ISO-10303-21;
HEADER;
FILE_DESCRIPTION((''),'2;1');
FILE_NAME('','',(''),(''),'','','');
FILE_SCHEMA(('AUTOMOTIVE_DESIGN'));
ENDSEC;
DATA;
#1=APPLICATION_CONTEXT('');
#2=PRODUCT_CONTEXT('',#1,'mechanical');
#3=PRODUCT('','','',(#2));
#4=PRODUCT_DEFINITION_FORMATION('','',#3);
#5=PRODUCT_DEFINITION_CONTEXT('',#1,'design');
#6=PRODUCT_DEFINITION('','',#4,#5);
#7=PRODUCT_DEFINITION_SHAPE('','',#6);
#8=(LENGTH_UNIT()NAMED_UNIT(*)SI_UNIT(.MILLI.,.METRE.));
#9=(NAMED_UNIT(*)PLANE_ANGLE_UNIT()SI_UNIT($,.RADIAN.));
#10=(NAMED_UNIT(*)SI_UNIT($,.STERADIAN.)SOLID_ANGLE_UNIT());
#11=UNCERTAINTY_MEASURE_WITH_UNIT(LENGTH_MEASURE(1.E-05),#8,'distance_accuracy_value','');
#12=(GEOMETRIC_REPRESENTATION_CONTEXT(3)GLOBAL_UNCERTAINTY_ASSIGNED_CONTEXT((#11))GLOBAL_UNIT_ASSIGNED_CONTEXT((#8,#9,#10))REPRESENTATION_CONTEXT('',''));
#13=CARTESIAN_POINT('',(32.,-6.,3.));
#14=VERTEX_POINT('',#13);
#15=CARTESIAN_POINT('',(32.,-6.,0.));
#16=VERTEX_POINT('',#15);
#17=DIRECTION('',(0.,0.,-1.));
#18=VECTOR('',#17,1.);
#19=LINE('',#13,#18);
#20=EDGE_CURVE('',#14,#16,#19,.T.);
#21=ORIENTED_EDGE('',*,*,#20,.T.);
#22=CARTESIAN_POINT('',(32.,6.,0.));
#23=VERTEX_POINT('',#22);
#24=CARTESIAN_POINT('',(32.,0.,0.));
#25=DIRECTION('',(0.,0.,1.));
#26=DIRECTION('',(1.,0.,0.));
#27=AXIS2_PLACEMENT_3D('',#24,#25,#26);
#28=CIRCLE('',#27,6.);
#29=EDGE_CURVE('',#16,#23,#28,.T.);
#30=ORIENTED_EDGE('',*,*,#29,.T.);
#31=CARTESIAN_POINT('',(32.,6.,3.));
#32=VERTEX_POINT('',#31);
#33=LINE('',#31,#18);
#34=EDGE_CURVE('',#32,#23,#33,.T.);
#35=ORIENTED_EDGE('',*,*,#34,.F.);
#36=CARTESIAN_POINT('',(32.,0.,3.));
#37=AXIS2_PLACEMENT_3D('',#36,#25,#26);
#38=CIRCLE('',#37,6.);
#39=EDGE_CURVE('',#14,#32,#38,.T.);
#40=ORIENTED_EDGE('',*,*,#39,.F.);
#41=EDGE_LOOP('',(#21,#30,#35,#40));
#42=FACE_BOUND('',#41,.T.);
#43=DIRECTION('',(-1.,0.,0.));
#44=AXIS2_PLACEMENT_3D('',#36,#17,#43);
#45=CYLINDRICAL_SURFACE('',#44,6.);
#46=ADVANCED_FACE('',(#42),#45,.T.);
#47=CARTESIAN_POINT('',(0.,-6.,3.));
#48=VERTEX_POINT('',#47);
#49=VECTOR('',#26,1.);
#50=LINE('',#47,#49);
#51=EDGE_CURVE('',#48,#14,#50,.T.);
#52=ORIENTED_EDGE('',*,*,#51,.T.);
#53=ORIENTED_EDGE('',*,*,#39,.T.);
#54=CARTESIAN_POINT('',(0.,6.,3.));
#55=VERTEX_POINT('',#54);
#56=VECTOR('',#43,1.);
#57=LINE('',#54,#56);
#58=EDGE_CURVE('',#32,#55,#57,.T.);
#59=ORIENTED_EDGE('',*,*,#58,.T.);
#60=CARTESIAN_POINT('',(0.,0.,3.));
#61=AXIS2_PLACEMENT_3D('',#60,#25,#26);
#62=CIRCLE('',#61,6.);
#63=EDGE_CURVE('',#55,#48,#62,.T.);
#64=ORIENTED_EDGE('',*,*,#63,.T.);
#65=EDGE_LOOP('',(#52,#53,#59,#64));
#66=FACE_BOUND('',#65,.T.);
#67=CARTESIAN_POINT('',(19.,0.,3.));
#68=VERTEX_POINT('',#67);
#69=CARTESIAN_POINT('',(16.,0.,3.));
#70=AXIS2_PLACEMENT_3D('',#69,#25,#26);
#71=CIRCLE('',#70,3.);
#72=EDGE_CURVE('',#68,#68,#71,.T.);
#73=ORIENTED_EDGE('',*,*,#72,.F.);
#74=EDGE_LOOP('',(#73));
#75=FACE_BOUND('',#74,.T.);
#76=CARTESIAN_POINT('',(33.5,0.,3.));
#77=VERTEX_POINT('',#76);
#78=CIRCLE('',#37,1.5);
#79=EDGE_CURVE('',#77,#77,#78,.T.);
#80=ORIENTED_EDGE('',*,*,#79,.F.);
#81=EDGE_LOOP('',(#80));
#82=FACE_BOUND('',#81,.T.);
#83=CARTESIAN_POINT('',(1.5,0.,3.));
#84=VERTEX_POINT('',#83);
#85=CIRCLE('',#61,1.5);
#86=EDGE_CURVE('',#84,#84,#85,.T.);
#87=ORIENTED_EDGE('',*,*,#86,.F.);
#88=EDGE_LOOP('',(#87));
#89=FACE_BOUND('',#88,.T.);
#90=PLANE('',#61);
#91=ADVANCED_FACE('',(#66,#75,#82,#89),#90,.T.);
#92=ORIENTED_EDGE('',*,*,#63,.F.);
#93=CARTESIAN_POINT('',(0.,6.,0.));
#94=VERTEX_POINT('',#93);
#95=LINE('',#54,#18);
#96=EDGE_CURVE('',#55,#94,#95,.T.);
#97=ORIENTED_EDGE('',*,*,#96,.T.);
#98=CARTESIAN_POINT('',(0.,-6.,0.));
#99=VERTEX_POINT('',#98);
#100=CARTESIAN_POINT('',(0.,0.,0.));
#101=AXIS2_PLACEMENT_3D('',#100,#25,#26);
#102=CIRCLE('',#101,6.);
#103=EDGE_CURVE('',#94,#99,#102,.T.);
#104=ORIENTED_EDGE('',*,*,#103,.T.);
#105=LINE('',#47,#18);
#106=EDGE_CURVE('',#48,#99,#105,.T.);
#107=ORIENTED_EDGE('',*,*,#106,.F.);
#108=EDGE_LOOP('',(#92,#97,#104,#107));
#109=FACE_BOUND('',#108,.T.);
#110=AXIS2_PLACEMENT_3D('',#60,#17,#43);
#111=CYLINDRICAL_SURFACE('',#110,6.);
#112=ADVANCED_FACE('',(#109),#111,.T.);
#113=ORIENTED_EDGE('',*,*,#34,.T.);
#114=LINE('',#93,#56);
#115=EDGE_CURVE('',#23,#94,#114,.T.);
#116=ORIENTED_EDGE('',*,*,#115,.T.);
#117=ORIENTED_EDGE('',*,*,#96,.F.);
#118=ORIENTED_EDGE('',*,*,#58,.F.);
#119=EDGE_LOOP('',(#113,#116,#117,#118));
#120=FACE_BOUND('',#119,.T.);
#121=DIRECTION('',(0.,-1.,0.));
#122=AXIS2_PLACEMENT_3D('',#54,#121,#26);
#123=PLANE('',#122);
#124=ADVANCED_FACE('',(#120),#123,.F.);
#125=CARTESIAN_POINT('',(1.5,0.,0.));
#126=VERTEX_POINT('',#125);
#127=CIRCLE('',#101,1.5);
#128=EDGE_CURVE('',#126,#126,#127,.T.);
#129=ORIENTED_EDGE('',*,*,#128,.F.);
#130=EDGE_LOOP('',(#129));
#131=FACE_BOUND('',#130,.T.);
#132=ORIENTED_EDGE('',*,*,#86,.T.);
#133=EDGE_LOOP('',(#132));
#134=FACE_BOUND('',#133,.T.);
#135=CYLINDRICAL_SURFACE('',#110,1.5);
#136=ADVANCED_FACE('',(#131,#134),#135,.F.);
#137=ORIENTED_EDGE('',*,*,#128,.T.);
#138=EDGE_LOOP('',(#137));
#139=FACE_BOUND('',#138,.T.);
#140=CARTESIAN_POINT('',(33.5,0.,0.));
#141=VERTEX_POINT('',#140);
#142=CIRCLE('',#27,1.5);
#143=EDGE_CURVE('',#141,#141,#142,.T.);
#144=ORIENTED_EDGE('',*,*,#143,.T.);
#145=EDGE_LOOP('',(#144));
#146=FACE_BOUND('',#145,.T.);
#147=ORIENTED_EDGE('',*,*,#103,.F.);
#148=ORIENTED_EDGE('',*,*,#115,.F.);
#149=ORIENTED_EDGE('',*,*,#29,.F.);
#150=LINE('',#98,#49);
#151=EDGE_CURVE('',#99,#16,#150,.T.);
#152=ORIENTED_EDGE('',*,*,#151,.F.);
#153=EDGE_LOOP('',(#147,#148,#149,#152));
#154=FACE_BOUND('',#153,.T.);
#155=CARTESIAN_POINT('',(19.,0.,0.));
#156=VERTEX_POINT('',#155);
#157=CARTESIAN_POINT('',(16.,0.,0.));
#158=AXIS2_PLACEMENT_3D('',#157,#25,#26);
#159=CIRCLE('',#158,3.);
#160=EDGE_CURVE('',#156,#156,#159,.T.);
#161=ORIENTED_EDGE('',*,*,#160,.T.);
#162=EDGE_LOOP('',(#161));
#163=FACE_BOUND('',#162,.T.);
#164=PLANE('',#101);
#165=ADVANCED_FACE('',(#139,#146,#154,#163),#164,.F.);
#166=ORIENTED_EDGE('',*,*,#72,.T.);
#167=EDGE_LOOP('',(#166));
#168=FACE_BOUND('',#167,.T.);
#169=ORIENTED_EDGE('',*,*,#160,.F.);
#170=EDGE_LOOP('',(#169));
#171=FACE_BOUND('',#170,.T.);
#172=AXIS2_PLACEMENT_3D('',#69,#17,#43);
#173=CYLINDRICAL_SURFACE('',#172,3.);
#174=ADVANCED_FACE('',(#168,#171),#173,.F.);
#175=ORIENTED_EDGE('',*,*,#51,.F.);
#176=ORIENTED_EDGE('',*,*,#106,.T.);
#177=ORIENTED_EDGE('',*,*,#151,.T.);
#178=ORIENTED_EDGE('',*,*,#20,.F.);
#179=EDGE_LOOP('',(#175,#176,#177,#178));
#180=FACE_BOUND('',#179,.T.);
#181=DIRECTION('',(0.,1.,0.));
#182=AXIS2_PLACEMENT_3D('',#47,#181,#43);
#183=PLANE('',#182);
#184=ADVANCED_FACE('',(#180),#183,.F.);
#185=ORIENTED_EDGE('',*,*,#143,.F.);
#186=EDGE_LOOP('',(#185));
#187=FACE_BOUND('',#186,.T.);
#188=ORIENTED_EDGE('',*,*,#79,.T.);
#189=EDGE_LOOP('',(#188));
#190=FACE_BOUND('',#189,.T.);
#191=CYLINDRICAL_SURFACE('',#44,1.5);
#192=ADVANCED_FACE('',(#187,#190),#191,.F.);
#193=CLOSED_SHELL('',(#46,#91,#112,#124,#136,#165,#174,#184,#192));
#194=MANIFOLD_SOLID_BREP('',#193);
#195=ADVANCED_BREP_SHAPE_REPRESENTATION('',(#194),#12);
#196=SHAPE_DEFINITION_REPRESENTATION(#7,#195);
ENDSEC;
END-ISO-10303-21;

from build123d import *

# Parameters (mm, degrees)
SKETCH1_R           = 1.5
SKETCH1_R_2         = 3
BOSS_EXTRUDE1_DEPTH = 3


with BuildPart() as part:
    # Sketch1 → Boss-Extrude1 (new body)
    with BuildSketch(Plane.XY):
        with BuildLine():
            Line((0, 6), (32, 6))
            ThreePointArc((32, 6), (38, 0), (32, -6))
            Line((32, -6), (0, -6))
            ThreePointArc((0, -6), (-6, 0), (0, 6))
        make_face()
        Circle(SKETCH1_R, mode=Mode.SUBTRACT)
        with Locations((32, 0)):
            Circle(SKETCH1_R, mode=Mode.SUBTRACT)
        with Locations((16, 0)):
            Circle(SKETCH1_R_2, mode=Mode.SUBTRACT)
    extrude(amount=BOSS_EXTRUDE1_DEPTH)


solid = part.part
